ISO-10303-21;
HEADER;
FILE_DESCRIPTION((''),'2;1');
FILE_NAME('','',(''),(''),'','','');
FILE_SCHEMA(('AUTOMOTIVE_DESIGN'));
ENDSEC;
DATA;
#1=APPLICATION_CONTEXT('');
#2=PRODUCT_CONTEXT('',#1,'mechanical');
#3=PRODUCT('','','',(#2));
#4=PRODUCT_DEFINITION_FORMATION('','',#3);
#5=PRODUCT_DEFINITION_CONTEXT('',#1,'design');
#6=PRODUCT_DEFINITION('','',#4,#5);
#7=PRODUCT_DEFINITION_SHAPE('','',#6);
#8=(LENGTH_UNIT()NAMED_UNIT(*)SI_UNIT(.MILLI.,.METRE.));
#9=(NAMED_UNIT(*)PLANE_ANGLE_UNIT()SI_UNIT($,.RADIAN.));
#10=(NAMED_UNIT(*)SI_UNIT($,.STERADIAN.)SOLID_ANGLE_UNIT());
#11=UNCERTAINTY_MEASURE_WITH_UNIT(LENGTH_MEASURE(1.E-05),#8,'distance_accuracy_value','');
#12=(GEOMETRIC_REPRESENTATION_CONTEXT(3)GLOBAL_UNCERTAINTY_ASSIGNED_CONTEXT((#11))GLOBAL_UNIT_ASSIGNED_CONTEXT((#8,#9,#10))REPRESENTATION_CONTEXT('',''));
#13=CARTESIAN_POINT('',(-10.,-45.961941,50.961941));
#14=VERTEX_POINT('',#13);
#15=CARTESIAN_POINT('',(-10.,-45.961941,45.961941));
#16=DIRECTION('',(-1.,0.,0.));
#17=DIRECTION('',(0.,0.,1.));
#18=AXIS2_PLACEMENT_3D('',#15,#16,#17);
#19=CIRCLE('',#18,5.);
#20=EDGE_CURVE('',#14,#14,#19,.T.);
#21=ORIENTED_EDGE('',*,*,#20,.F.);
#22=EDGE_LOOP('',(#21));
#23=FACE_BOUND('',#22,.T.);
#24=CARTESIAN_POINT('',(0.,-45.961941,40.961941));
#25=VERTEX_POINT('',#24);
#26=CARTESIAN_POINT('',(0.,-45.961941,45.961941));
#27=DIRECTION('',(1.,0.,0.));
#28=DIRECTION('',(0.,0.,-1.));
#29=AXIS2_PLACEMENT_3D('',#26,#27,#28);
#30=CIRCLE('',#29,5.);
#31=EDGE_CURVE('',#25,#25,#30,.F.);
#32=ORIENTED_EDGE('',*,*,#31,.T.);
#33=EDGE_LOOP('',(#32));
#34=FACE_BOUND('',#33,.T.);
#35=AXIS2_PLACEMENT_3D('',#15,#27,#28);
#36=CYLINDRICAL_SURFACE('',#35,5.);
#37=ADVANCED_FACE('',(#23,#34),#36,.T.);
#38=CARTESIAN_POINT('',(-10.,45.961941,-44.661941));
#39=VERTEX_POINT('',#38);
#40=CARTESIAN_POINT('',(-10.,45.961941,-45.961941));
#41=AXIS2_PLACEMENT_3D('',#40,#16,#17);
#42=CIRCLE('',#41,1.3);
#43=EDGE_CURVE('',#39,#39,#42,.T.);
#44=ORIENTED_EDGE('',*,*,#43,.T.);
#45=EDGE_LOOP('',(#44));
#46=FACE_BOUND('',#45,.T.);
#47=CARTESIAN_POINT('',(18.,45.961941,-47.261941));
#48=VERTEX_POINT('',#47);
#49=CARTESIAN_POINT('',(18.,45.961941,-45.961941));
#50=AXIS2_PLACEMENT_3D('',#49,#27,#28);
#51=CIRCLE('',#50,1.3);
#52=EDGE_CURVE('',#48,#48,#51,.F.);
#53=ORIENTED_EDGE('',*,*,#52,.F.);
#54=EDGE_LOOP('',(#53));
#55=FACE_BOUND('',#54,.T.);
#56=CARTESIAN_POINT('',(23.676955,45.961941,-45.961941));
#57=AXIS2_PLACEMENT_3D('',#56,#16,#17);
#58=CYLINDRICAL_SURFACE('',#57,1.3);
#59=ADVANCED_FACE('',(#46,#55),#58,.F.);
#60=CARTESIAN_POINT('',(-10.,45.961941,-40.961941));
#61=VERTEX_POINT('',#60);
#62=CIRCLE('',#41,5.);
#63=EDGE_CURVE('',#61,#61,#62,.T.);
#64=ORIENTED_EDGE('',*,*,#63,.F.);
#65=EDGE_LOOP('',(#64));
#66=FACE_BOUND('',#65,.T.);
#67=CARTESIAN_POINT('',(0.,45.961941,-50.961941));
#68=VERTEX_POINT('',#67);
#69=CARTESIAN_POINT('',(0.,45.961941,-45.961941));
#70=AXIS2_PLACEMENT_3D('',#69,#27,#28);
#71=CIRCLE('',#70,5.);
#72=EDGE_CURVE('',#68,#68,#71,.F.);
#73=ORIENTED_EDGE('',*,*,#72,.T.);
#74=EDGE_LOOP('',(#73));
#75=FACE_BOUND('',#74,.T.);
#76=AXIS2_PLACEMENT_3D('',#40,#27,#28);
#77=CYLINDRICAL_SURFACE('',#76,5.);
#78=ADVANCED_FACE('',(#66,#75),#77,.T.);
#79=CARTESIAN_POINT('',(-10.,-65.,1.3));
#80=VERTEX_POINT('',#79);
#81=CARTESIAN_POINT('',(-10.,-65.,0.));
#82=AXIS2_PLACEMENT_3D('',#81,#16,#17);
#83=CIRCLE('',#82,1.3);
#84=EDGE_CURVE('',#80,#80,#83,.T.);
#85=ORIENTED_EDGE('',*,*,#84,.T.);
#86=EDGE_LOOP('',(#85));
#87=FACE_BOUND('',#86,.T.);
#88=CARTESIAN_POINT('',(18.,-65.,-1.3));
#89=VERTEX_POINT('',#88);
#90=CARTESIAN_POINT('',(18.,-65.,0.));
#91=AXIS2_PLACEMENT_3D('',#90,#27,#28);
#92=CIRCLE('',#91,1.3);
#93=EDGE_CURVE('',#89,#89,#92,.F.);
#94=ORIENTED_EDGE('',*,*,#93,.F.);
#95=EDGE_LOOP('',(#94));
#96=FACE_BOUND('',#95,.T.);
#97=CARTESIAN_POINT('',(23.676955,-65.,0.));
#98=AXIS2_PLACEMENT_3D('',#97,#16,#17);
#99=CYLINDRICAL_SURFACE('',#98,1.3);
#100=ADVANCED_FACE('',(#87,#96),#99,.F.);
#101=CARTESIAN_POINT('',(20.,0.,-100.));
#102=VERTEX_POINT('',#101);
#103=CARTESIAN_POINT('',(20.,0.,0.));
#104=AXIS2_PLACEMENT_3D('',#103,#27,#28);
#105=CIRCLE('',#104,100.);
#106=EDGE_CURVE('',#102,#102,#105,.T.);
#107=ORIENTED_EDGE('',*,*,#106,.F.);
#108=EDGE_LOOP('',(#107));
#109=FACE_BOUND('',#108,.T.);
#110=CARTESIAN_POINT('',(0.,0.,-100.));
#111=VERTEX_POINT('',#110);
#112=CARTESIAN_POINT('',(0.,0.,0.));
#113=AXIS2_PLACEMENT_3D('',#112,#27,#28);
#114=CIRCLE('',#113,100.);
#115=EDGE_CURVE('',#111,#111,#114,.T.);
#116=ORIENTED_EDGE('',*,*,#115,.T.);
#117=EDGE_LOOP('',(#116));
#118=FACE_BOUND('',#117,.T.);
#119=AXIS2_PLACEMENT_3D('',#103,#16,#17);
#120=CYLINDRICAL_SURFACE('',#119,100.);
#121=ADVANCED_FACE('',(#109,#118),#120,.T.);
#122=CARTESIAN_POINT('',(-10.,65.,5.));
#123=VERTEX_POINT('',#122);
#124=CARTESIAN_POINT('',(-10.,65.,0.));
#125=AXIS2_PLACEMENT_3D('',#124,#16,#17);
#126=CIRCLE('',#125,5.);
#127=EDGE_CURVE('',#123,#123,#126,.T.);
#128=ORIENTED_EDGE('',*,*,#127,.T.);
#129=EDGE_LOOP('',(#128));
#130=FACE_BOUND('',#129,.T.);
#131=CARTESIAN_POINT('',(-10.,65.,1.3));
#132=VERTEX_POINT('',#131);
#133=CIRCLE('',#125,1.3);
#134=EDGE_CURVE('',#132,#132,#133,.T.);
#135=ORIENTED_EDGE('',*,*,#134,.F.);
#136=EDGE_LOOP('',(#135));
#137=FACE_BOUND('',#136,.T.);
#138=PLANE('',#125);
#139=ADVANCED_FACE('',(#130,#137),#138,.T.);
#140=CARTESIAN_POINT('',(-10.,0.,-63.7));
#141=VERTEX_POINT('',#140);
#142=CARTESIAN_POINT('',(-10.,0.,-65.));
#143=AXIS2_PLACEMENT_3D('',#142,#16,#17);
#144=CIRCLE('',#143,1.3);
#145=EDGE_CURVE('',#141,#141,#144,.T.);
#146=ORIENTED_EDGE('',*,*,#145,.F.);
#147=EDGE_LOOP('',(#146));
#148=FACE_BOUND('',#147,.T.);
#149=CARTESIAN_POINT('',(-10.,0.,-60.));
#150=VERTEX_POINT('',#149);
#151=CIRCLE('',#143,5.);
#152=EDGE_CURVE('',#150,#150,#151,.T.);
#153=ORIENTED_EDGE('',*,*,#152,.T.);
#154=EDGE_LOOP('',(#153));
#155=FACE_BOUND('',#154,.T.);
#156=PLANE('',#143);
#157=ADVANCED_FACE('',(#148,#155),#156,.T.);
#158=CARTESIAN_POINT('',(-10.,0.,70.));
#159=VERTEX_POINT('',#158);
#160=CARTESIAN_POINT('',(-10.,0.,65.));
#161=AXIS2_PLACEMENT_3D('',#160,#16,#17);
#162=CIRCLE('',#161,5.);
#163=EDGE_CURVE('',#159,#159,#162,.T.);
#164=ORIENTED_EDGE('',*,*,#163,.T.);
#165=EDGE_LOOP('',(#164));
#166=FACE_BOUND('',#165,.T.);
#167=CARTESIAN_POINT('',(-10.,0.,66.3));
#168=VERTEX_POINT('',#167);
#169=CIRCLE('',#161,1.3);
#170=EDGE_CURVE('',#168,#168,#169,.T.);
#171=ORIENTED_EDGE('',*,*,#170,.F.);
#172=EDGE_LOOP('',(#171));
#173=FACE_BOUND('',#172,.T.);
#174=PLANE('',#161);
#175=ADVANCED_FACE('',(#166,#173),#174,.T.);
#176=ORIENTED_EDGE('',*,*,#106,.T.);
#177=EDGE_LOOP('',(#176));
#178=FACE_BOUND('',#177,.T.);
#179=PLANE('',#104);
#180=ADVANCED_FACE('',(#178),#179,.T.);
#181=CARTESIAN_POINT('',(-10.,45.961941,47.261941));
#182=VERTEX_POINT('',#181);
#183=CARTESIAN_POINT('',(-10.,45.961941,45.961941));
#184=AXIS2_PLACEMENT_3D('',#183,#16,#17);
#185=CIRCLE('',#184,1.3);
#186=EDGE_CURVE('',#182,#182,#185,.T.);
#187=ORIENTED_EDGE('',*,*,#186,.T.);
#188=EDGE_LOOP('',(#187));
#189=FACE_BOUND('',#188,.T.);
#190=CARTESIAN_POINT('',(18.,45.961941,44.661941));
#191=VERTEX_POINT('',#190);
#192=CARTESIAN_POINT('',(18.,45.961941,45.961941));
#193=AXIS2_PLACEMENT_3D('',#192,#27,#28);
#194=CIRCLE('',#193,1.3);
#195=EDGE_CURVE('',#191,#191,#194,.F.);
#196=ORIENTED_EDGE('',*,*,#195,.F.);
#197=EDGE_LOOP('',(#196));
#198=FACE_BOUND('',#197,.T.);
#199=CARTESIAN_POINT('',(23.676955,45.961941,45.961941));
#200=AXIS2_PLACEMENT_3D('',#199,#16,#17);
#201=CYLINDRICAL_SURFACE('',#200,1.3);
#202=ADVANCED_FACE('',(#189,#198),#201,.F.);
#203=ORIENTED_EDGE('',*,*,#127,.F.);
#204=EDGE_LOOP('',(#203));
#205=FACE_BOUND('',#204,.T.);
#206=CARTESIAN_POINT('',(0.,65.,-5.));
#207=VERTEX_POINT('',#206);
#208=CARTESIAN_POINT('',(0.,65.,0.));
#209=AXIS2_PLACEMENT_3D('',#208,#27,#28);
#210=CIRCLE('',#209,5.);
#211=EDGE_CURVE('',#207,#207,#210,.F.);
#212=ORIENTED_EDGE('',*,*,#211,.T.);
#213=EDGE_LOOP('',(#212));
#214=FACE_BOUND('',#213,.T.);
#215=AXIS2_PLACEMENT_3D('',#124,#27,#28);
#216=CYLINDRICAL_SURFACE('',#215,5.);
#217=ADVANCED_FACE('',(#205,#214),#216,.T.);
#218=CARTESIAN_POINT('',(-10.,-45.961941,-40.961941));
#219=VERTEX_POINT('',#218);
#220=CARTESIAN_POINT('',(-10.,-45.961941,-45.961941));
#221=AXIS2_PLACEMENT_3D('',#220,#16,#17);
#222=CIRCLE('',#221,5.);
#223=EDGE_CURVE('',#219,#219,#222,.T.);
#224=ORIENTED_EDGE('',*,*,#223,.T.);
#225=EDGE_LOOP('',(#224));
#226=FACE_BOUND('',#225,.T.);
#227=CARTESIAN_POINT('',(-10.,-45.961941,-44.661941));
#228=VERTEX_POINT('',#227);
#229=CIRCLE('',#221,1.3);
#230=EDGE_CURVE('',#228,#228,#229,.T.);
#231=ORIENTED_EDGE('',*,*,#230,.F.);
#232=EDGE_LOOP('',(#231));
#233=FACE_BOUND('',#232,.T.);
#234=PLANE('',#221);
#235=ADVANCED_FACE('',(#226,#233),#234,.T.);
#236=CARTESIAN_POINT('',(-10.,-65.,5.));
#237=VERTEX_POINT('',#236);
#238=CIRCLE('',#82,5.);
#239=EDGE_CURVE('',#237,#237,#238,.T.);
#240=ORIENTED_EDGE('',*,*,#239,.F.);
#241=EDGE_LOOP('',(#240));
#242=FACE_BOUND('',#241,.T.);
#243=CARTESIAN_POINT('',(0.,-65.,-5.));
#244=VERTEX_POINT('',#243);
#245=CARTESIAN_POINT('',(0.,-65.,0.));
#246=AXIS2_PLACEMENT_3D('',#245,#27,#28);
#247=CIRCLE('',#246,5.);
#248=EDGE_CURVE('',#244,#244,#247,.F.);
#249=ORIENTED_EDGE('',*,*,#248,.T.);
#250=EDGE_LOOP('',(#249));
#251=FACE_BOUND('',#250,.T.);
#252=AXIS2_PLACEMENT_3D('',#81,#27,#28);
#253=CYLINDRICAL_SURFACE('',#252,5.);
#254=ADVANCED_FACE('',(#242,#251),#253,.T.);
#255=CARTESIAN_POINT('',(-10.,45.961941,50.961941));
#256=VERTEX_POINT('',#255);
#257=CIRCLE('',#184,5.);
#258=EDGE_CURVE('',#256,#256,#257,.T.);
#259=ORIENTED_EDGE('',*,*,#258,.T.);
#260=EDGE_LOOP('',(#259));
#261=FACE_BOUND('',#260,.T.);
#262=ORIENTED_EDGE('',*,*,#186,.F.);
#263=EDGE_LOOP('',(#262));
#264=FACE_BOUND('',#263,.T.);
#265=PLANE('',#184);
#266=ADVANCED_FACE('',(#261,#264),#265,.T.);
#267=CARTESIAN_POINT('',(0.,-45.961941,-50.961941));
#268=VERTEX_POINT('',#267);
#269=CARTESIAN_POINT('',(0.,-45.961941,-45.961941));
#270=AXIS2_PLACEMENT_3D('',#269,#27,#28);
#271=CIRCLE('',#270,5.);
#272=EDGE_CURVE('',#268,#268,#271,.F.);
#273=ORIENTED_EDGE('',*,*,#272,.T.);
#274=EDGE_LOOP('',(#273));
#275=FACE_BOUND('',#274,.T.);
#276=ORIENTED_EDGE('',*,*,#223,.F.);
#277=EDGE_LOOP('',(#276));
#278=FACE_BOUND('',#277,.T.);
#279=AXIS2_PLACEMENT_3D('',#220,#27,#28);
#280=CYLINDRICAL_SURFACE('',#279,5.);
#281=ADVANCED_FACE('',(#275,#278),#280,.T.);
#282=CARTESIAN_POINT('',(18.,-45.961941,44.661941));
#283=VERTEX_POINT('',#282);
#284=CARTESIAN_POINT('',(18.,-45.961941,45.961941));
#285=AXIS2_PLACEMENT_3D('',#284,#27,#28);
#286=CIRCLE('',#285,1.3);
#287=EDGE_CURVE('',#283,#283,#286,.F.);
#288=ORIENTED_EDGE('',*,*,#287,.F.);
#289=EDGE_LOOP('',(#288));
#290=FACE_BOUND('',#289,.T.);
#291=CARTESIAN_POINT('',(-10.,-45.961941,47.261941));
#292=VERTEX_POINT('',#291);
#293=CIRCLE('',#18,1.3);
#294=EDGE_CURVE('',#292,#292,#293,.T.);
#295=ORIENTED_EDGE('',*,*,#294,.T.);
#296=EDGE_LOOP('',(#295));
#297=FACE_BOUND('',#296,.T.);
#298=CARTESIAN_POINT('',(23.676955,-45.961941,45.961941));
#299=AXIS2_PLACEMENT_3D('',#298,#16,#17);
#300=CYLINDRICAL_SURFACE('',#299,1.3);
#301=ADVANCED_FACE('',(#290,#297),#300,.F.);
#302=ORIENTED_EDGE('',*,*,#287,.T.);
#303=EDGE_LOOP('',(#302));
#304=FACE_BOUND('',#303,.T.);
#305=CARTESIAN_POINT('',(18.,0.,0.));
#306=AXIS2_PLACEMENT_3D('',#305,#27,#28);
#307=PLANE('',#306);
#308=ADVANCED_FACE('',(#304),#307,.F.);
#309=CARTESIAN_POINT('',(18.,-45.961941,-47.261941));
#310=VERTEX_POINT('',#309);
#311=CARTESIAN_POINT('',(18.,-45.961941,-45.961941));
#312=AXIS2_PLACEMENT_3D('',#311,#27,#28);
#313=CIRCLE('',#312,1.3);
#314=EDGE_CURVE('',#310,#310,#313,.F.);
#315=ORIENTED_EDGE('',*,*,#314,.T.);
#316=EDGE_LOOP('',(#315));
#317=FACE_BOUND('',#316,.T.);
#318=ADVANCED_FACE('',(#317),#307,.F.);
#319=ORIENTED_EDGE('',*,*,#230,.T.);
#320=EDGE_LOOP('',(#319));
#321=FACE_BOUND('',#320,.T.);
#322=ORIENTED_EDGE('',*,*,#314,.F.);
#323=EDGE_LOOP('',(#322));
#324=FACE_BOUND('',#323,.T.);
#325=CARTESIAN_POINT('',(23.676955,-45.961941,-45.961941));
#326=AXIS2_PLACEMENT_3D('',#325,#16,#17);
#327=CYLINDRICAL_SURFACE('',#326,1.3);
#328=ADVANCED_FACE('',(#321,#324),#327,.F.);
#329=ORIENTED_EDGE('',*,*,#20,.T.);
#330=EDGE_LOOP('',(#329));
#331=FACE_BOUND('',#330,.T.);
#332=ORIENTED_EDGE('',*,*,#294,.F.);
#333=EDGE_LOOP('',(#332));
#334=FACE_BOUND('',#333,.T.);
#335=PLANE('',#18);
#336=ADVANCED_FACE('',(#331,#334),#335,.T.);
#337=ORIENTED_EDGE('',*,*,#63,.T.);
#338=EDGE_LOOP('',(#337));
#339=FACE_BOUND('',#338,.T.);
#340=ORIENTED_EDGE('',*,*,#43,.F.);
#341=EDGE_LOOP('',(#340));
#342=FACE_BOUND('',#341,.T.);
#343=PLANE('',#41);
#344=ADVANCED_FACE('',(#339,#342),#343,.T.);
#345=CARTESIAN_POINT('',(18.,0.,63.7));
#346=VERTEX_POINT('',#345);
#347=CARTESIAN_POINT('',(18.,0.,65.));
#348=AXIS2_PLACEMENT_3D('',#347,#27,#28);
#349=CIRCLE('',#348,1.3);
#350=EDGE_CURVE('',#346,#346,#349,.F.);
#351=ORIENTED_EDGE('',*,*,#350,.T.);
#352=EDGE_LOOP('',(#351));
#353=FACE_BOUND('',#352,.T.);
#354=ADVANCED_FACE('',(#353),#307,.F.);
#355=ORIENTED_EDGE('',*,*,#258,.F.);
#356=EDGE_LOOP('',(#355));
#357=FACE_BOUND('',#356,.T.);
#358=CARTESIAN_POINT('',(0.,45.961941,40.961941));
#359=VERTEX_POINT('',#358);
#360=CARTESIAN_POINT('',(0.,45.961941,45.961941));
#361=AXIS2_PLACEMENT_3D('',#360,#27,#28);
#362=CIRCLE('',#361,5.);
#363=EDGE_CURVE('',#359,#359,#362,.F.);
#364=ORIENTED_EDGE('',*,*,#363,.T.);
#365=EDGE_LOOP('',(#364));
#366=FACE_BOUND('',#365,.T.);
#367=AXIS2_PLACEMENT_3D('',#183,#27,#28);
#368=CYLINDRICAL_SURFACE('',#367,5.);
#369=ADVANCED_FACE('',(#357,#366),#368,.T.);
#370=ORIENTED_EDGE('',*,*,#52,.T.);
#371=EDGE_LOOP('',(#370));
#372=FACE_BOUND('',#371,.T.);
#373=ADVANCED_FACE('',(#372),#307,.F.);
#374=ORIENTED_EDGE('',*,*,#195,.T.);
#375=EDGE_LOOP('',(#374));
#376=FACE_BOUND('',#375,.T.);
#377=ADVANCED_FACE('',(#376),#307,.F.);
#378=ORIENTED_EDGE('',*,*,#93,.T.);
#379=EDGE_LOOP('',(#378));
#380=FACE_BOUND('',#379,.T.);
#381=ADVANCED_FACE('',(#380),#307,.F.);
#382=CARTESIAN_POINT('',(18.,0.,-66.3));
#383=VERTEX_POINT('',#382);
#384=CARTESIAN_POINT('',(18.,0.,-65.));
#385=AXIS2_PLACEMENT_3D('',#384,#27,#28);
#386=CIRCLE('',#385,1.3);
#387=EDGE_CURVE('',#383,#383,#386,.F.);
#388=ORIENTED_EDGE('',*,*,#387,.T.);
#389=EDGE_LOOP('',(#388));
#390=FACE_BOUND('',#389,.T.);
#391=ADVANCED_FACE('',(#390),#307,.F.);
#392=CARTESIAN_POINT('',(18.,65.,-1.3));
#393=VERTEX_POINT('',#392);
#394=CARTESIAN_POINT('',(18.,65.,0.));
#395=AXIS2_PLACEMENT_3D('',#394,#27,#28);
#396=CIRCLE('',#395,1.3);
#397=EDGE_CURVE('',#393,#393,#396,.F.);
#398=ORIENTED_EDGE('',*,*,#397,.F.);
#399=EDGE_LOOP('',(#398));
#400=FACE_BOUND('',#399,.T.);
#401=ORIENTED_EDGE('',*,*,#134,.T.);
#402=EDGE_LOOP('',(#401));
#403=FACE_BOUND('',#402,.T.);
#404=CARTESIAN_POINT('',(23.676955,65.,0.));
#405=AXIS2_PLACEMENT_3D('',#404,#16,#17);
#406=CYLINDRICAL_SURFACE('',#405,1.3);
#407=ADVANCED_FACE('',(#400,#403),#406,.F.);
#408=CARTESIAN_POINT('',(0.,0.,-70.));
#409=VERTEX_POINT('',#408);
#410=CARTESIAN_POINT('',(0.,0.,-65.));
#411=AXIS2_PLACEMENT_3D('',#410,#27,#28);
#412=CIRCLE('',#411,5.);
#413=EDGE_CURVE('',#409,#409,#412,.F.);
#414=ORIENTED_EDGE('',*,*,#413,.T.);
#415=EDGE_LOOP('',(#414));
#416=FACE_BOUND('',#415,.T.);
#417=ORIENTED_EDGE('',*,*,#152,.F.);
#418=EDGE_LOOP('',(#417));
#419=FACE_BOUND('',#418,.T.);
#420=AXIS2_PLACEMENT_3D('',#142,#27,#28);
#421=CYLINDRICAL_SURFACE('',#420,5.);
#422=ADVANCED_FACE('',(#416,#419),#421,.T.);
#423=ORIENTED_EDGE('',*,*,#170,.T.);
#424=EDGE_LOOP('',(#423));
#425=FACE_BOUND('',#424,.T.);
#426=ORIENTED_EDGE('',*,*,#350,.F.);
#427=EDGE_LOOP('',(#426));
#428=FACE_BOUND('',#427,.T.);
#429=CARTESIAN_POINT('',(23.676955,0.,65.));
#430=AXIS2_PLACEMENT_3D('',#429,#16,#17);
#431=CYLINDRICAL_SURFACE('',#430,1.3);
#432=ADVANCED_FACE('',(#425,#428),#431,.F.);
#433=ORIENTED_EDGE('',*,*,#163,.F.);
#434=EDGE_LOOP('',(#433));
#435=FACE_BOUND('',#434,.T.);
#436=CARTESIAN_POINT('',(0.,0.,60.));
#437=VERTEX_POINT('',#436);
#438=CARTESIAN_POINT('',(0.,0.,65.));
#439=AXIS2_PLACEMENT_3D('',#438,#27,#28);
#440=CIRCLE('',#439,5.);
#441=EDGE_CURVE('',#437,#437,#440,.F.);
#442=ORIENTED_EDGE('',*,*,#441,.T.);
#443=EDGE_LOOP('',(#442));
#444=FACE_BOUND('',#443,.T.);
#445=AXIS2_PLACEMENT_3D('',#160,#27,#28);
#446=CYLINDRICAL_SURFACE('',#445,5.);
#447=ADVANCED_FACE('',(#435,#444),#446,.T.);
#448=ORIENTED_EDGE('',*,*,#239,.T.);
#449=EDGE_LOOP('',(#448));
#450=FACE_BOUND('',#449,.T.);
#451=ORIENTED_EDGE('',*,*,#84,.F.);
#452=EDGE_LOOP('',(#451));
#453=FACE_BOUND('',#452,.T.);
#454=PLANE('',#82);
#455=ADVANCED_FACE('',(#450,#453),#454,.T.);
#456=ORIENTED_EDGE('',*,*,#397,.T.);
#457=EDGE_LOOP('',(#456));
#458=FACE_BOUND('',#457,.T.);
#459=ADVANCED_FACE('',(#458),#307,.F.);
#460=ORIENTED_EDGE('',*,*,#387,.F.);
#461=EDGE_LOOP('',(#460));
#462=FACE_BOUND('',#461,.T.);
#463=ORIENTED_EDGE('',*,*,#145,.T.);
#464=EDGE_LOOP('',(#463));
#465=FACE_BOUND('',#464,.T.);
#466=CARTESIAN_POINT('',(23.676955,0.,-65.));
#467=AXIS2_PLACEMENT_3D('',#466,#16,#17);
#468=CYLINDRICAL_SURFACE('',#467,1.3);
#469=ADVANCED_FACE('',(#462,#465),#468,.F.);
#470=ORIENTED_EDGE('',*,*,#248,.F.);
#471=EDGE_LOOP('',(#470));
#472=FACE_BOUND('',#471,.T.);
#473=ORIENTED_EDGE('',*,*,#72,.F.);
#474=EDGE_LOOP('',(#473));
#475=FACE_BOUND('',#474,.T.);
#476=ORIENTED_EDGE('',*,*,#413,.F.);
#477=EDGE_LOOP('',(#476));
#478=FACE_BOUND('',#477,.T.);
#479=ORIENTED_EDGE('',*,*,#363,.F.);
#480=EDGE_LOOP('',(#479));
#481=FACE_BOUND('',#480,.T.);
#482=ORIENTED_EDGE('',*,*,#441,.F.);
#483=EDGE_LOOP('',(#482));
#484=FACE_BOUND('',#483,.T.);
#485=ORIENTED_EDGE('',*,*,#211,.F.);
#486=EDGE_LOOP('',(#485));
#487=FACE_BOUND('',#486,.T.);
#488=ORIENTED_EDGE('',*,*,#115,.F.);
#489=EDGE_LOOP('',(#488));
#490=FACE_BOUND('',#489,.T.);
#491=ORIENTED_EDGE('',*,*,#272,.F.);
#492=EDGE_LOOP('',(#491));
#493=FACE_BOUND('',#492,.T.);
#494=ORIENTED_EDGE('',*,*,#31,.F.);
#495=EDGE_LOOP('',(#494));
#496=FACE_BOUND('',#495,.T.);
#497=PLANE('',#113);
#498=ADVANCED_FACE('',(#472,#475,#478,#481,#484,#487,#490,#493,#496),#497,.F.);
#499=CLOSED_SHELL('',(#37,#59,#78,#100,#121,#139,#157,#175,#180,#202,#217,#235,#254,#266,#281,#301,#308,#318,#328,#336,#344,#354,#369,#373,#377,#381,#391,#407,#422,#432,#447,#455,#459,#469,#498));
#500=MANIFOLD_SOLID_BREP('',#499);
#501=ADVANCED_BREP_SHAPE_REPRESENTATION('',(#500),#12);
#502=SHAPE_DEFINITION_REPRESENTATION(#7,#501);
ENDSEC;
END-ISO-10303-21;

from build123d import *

# Parameters (mm, degrees)
SKETCH1_R           = 100
BOSS_EXTRUDE1_DEPTH = 20
SKETCH4_R           = 1.3
CUT_EXTRUDE2_DEPTH  = 18
BOSS_EXTRUDE3_START = 10
SKETCH5_R           = 5
SKETCH5_R_2         = 1.3
BOSS_EXTRUDE3_DEPTH = 10


with BuildPart() as part:
    # Sketch1 → Boss-Extrude1 (new body)
    with BuildSketch(Plane(origin=(0, 0, 0), x_dir=(0, 0, -1), z_dir=(1, 0, 0))):
        Circle(SKETCH1_R)
    extrude(amount=BOSS_EXTRUDE1_DEPTH)

    # Sketch4 → Cut-Extrude2 (cut)
    with BuildSketch(Plane.ZY):
        with Locations((0, 65)):
            Circle(SKETCH4_R)
        with Locations((45.961940777, 45.961940777)):
            Circle(SKETCH4_R)
        with Locations((65, 0)):
            Circle(SKETCH4_R)
        with Locations((45.961940777, -45.961940777)):
            Circle(SKETCH4_R)
        with Locations((0, -65)):
            Circle(SKETCH4_R)
        with Locations((-45.961940777, -45.961940777)):
            Circle(SKETCH4_R)
        with Locations((-65, 0)):
            Circle(SKETCH4_R)
        with Locations((-45.961940777, 45.961940777)):
            Circle(SKETCH4_R)
    extrude(amount=-CUT_EXTRUDE2_DEPTH, mode=Mode.SUBTRACT)

    # Sketch5 → Boss-Extrude3 (add)
    # profile 1 of 8: a face of its own
    with BuildSketch(Plane.ZY.offset(BOSS_EXTRUDE3_START)):
        with Locations(Location((0, 65, 0), (0, 0, 180))):
            Circle(SKETCH5_R)
        with Locations((0, 65)):
            Circle(SKETCH5_R_2, mode=Mode.SUBTRACT)
    # profile 2 of 8: a face of its own
    with BuildSketch(Plane.ZY.offset(BOSS_EXTRUDE3_START)):
        with Locations(Location((45.961940777, 45.961940777, 0), (0, 0, 180))):
            Circle(SKETCH5_R)
        with Locations((45.961940777, 45.961940777)):
            Circle(SKETCH5_R_2, mode=Mode.SUBTRACT)
    # profile 3 of 8: a face of its own
    with BuildSketch(Plane.ZY.offset(BOSS_EXTRUDE3_START)):
        with Locations(Location((65, 0, 0), (0, 0, 180))):
            Circle(SKETCH5_R)
        with Locations((65, 0)):
            Circle(SKETCH5_R_2, mode=Mode.SUBTRACT)
    # profile 4 of 8: a face of its own
    with BuildSketch(Plane.ZY.offset(BOSS_EXTRUDE3_START)):
        with Locations(Location((45.961940777, -45.961940777, 0), (0, 0, 180))):
            Circle(SKETCH5_R)
        with Locations((45.961940777, -45.961940777)):
            Circle(SKETCH5_R_2, mode=Mode.SUBTRACT)
    # profile 5 of 8: a face of its own
    with BuildSketch(Plane.ZY.offset(BOSS_EXTRUDE3_START)):
        with Locations(Location((0, -65, 0), (0, 0, 180))):
            Circle(SKETCH5_R)
        with Locations((0, -65)):
            Circle(SKETCH5_R_2, mode=Mode.SUBTRACT)
    # profile 6 of 8: a face of its own
    with BuildSketch(Plane.ZY.offset(BOSS_EXTRUDE3_START)):
        with Locations(Location((-45.961940777, -45.961940777, 0), (0, 0, 180))):
            Circle(SKETCH5_R)
        with Locations((-45.961940777, -45.961940777)):
            Circle(SKETCH5_R_2, mode=Mode.SUBTRACT)
    # profile 7 of 8: a face of its own
    with BuildSketch(Plane.ZY.offset(BOSS_EXTRUDE3_START)):
        with Locations(Location((-65, 0, 0), (0, 0, 180))):
            Circle(SKETCH5_R)
        with Locations((-65, 0)):
            Circle(SKETCH5_R_2, mode=Mode.SUBTRACT)
    # profile 8 of 8: a face of its own
    with BuildSketch(Plane.ZY.offset(BOSS_EXTRUDE3_START)):
        with Locations(Location((-45.961940777, 45.961940777, 0), (0, 0, 180))):
            Circle(SKETCH5_R)
        with Locations((-45.961940777, 45.961940777)):
            Circle(SKETCH5_R_2, mode=Mode.SUBTRACT)
    extrude(amount=-BOSS_EXTRUDE3_DEPTH)


solid = part.part
